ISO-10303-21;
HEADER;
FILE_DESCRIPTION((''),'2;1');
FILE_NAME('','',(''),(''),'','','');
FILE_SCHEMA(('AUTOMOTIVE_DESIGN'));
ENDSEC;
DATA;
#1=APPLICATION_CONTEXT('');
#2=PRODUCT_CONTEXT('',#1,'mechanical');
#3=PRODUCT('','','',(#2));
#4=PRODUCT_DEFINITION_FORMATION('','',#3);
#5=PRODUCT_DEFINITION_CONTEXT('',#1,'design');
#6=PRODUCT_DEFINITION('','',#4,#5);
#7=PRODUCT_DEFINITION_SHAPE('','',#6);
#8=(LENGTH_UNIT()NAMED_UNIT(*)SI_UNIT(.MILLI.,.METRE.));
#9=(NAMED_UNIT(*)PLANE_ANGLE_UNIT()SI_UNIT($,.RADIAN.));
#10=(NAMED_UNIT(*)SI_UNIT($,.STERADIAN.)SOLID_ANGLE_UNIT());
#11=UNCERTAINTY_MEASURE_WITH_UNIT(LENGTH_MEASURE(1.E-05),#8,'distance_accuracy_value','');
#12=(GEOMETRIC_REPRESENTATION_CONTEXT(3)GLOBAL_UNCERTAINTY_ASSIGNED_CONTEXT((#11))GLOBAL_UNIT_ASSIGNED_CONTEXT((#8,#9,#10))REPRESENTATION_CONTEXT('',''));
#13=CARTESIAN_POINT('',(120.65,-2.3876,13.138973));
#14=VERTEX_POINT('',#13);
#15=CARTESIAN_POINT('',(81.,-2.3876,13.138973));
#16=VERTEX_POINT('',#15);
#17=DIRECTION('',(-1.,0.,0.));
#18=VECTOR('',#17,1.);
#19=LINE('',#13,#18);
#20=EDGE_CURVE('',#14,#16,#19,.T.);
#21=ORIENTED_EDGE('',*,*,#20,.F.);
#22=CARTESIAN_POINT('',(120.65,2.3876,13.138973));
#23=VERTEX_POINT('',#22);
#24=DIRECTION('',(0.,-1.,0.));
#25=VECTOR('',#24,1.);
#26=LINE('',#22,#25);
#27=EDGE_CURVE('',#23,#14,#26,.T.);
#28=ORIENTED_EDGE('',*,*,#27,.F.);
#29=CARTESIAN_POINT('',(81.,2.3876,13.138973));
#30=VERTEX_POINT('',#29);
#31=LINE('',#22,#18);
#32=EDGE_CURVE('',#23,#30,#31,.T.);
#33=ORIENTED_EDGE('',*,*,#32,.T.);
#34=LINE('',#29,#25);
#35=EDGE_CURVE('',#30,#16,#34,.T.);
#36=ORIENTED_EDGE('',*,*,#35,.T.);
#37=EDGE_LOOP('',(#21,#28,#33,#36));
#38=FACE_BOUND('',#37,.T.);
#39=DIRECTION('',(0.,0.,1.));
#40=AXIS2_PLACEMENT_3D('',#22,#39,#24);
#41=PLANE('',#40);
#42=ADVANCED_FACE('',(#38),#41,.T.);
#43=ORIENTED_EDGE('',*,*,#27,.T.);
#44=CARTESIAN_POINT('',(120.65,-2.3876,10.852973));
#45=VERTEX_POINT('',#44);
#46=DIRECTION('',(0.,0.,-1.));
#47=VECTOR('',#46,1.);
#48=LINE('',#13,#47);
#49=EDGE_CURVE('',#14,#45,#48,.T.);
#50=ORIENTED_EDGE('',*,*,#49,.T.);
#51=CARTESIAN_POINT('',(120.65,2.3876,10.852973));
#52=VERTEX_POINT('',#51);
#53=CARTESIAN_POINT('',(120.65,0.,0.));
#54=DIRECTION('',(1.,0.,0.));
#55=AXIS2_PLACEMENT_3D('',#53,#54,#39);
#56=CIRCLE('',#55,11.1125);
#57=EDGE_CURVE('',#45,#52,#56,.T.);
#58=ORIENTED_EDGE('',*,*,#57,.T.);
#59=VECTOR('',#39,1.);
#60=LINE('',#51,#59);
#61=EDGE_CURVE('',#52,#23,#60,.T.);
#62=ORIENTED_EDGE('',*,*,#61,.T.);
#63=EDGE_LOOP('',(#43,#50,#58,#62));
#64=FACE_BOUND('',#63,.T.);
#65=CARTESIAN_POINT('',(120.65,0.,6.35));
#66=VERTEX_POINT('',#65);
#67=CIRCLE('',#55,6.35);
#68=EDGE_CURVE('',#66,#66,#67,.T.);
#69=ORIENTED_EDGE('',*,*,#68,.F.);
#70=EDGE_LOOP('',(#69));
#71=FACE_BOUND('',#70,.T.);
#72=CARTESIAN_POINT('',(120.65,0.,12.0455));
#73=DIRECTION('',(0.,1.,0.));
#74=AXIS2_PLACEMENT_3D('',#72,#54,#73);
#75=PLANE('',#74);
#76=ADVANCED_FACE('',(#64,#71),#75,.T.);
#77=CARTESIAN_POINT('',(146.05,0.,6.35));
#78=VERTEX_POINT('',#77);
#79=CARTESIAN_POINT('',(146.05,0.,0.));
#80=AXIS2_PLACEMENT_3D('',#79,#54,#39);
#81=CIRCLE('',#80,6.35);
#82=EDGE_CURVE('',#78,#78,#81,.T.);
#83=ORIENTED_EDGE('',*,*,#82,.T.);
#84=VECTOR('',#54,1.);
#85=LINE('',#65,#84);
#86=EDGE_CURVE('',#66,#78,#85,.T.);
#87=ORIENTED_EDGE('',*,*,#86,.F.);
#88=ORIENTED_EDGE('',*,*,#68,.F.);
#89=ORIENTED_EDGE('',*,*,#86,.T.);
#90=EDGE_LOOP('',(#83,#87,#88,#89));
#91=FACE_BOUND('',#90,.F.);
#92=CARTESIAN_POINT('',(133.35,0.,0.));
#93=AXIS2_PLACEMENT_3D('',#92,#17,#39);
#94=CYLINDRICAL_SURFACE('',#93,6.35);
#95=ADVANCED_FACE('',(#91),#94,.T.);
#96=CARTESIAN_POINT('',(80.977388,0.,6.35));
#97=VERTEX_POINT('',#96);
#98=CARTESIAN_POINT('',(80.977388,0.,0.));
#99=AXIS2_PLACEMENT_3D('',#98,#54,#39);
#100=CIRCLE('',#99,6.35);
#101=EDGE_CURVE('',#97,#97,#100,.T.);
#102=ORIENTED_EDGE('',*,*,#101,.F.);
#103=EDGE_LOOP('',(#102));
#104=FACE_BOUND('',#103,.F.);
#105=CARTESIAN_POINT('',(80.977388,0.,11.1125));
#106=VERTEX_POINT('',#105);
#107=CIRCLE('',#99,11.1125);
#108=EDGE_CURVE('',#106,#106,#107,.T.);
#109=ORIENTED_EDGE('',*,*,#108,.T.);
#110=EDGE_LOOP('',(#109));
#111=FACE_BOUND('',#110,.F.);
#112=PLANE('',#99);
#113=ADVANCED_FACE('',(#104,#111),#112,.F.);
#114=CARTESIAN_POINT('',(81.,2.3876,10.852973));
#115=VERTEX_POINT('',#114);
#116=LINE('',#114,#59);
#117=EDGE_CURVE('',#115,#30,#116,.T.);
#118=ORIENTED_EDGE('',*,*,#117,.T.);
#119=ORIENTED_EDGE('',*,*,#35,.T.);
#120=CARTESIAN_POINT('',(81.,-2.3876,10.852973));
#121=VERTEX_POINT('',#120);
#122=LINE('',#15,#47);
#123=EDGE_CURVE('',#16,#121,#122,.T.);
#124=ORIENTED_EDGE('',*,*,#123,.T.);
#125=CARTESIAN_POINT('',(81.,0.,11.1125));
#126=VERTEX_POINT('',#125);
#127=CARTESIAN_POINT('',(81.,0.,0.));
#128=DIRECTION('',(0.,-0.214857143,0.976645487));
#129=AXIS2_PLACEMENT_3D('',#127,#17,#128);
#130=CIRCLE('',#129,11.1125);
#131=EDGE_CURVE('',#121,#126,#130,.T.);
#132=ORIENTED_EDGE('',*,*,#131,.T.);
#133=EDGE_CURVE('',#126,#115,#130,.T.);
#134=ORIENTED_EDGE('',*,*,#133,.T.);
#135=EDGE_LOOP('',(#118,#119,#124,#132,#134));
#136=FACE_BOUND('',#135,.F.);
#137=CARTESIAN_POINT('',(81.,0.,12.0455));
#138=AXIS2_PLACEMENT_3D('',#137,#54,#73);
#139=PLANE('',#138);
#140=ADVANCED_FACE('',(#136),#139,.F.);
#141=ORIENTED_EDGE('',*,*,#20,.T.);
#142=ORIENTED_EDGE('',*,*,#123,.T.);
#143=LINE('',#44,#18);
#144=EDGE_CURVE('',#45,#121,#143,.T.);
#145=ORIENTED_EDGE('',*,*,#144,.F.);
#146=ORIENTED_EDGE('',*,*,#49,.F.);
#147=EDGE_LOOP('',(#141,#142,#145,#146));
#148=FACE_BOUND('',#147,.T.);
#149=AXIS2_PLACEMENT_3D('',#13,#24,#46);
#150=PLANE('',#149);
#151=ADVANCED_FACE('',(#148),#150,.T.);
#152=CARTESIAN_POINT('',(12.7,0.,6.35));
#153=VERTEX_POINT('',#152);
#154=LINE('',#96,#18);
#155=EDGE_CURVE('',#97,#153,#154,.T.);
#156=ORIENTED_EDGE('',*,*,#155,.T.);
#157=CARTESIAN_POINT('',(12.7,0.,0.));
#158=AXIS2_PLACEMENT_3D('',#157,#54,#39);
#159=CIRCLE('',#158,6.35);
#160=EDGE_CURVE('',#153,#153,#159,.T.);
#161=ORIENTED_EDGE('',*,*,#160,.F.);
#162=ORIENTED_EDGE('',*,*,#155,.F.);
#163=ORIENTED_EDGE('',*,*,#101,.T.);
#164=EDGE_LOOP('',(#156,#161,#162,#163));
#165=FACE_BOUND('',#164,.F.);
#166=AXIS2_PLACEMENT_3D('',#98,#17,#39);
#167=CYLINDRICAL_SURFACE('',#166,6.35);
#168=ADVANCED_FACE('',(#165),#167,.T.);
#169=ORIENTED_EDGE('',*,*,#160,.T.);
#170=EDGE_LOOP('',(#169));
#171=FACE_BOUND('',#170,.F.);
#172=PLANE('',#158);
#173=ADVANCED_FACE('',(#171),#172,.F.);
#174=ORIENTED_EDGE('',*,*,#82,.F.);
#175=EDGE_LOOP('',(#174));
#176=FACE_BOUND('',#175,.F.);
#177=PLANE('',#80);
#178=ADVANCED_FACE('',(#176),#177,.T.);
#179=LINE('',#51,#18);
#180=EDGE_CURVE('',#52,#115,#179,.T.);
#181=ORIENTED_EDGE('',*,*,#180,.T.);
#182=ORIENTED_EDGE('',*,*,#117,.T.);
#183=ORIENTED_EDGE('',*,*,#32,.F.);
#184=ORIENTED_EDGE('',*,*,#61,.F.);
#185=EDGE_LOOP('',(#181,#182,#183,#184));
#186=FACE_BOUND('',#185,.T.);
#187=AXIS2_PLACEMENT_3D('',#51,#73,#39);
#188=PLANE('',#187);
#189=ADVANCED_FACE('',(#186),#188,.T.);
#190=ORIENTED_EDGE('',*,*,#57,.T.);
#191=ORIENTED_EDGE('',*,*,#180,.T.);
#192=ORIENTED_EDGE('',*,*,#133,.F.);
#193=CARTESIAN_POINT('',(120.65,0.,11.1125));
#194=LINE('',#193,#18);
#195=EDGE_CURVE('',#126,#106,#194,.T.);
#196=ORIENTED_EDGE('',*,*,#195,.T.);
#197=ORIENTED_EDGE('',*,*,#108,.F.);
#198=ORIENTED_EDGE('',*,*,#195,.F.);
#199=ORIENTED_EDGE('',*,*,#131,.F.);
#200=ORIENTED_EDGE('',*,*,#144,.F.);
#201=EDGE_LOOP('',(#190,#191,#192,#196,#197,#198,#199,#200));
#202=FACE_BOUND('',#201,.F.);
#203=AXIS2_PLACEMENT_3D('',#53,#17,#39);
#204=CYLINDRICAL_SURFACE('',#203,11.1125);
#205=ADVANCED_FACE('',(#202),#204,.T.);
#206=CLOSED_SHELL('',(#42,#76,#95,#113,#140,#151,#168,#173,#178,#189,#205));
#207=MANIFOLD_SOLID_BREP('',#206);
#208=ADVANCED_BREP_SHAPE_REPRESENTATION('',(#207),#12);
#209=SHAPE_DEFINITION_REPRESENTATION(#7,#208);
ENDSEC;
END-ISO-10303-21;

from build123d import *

# Parameters (mm, degrees)
F3_DEPTH = 39.65
F4_DEPTH = 12.7
F5_DEPTH = 12.7


with BuildPart() as f1:
    # F0 (on Front) → F1 (revolve)
    with BuildSketch(Plane.XZ):
        Polygon((0, 6.35), (0, 0), (133.35, 0), (133.35, 6.35), (120.65, 6.35), (120.65, 11.1125), (80.9773877263, 11.1125), (80.9773877263, 6.35), align=None)
    revolve(axis=Axis((66.675, 0, 0), (1, 0, 0)))

    # F2 (on face) → F3 (join)
    with BuildSketch(Plane.YZ.offset(120.65)):
        with BuildLine():
            Line((-2.3876, 13.1389729793), (-2.3876, 10.8529729793))
            ThreePointArc((-2.3876, 10.8529729793), (0, 11.1125), (2.3876, 10.8529729793))
            Line((2.3876, 10.8529729793), (2.3876, 13.1389729793))
            Line((2.3876, 13.1389729793), (-2.3876, 13.1389729793))
        make_face()
    extrude(amount=-F3_DEPTH)

    # F4 (add): a face of the model
    f4_faces = [f1.faces().sort_by_distance(p)[0] for p in [
        (133.35, 0, 0),
    ]]
    extrude(f4_faces, amount=F4_DEPTH)

    # F5 (cut): a face of the model
    f5_faces = [f1.faces().sort_by_distance(p)[0] for p in [
        (0, 0, 0),
    ]]
    extrude(f5_faces, amount=-F5_DEPTH, mode=Mode.SUBTRACT)


solid = f1.part
